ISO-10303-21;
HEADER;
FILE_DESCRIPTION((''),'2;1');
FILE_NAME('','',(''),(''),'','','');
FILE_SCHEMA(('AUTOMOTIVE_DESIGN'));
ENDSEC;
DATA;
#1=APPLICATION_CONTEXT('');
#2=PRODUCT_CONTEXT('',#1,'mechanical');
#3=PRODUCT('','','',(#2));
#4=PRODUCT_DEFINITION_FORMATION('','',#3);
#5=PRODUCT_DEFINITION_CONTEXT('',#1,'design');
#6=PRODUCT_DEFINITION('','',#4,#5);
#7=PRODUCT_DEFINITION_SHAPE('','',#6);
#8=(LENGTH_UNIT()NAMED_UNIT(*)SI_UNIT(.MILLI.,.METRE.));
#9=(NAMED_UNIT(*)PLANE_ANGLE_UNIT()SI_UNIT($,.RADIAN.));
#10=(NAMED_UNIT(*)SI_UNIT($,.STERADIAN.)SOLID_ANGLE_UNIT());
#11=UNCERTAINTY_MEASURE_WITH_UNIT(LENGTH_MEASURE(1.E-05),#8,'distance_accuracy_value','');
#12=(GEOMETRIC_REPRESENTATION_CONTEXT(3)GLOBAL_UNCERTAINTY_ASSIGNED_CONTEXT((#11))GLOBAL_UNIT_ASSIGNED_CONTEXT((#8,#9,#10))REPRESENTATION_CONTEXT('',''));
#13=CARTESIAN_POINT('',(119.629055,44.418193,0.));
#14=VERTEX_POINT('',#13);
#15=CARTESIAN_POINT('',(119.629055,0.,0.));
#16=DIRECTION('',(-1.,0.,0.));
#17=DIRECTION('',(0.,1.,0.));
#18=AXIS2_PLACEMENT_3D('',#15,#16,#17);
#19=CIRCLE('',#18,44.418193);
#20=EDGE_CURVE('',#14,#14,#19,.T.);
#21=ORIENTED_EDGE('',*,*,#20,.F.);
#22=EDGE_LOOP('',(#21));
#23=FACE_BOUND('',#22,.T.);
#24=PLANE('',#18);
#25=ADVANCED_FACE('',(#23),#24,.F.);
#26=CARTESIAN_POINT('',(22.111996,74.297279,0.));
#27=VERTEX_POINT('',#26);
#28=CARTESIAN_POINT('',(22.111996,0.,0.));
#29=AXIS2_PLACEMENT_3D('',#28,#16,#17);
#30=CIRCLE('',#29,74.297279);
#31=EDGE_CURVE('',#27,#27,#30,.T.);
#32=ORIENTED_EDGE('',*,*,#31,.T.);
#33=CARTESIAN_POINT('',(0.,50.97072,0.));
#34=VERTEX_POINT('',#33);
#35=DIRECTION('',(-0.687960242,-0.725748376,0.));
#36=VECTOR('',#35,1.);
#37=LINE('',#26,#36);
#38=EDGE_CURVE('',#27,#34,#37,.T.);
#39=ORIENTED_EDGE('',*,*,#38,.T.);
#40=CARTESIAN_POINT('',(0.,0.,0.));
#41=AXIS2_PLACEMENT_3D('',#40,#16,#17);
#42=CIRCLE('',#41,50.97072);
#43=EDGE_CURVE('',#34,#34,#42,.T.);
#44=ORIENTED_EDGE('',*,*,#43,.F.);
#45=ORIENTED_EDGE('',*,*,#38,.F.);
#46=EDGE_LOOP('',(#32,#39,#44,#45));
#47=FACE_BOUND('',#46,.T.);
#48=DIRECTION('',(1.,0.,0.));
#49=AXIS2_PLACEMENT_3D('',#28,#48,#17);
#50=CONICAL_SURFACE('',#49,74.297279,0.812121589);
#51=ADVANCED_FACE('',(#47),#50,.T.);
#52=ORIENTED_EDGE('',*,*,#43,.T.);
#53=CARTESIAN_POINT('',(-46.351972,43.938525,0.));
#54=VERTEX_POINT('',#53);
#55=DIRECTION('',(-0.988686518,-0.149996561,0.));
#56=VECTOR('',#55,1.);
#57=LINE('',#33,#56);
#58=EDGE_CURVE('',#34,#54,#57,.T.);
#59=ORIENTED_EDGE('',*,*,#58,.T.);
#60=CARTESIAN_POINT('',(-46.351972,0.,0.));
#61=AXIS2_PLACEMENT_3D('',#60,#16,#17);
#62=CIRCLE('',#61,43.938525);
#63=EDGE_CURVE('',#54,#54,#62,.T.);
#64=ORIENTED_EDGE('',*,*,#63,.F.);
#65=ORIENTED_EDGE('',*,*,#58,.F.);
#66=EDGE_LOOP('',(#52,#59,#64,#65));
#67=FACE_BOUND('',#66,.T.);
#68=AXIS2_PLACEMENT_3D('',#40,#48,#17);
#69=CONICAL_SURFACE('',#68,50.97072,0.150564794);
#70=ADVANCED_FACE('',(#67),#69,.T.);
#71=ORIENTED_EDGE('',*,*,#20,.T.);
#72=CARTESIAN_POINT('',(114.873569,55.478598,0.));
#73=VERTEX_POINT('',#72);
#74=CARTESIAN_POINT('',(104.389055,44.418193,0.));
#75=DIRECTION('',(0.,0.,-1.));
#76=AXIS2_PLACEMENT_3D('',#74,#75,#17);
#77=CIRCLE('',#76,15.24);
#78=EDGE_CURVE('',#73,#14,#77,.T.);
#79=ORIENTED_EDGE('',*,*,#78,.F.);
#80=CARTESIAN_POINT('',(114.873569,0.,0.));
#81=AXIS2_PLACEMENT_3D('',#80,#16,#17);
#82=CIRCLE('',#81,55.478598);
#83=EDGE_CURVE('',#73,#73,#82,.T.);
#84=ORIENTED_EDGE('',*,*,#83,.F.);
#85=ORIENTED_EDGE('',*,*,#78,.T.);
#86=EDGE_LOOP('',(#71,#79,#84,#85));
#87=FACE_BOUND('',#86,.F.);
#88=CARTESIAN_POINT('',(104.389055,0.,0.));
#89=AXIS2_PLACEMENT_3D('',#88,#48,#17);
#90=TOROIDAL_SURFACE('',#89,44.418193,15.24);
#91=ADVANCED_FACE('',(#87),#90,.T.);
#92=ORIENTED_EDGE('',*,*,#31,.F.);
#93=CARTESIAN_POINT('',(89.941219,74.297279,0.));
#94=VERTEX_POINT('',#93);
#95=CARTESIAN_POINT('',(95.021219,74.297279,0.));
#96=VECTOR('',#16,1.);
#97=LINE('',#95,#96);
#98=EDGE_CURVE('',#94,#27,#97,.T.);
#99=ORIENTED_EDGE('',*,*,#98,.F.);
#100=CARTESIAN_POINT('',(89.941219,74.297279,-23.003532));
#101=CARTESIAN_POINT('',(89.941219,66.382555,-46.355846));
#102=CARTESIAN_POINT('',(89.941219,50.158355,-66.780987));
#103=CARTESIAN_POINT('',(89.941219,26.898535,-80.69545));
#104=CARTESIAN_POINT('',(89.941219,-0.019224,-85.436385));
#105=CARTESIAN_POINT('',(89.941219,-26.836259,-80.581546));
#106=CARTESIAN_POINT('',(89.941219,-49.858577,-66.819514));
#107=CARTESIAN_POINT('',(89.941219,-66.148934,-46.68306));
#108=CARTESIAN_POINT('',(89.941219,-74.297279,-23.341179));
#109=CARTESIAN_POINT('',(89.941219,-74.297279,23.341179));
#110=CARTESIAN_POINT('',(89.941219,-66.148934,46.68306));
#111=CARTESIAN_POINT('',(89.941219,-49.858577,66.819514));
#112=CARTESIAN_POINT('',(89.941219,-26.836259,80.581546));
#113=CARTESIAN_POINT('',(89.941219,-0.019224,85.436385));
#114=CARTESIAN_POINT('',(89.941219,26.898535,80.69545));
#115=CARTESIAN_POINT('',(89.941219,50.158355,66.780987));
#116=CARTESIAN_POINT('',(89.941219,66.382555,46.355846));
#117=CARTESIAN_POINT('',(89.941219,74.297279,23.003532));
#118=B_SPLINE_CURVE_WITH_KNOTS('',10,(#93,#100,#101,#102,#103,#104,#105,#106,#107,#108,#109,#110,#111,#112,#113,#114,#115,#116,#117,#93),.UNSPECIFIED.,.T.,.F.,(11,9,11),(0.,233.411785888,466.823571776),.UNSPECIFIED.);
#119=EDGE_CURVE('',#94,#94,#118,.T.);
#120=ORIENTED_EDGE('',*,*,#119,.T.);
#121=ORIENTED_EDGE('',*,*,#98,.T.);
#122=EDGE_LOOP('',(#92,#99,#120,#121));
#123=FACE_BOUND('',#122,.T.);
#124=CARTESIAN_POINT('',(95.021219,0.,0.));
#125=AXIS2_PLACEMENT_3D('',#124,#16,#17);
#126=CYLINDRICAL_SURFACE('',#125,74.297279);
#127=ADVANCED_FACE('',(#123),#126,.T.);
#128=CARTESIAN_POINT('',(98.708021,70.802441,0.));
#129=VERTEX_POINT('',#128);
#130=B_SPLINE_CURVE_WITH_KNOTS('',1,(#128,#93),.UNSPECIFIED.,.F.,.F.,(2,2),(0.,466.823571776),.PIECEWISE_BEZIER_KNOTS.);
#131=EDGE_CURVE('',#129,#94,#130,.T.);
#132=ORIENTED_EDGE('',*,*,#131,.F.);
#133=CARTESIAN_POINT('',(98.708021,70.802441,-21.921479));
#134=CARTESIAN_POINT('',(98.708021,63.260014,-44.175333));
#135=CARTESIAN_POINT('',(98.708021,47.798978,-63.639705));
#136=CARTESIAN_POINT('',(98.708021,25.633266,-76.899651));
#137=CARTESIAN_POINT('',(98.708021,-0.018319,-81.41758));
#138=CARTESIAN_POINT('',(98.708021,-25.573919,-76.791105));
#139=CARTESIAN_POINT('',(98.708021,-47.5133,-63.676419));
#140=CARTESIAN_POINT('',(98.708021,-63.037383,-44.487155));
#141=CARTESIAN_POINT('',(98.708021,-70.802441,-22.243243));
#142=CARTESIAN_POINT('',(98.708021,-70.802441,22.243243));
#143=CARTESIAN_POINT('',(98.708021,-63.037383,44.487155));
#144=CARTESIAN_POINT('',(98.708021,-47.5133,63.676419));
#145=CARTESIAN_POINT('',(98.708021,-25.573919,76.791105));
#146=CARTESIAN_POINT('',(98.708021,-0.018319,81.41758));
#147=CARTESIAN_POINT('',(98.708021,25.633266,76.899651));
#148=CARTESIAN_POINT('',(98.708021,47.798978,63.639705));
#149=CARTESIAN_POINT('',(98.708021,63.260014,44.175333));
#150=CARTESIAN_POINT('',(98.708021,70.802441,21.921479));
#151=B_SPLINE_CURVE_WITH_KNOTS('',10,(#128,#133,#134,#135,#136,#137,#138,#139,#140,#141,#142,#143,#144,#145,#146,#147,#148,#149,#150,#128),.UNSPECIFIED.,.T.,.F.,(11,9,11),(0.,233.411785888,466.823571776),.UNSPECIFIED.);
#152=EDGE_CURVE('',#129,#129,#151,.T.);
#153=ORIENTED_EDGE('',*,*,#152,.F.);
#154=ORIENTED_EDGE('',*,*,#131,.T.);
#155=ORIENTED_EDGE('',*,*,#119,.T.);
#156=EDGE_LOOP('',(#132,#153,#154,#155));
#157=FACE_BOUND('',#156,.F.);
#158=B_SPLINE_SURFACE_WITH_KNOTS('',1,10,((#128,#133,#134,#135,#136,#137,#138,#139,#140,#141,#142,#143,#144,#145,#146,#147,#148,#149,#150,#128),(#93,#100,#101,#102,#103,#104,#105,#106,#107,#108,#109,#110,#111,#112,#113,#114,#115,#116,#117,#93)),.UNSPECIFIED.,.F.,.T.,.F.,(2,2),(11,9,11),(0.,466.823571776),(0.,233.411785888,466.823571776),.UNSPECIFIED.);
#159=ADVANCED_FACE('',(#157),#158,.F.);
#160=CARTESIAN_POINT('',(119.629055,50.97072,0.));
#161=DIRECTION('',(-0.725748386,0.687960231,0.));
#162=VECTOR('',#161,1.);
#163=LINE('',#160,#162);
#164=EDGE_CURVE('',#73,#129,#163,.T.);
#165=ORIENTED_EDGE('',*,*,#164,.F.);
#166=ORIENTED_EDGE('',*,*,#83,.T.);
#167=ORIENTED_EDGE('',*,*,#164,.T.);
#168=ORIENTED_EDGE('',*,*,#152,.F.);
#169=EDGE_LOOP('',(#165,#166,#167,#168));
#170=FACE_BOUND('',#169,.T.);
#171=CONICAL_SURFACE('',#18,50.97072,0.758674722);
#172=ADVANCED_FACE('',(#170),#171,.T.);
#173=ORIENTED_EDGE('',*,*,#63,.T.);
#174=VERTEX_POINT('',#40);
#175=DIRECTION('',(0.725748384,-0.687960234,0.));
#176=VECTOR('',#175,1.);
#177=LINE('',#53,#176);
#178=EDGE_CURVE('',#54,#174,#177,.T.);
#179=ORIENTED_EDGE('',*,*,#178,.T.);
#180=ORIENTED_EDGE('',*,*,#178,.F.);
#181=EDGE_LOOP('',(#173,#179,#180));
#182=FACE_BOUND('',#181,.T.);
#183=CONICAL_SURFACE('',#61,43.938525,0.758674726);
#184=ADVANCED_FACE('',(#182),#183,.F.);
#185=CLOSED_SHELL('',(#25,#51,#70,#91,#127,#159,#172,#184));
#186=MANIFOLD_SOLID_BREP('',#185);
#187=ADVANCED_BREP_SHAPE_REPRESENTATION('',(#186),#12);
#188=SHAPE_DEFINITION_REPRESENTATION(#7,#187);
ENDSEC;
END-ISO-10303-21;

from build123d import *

# Parameters (mm, degrees)
F2_SIZE = 5.08
F3_R    = 15.24


with BuildPart() as f1:
    # F0 (on Top) → F1 (revolve)
    with BuildSketch(Plane.XY):
        Polygon((-46.351972, 43.938525), (0, 0), (0, 50.97072), align=None)
        Polygon((0, 50.97072), (0, 0), (119.629055, 0), (119.629055, 50.97072), (95.021219, 74.297279), (22.111996, 74.297279), align=None)
    revolve(axis=Axis((59.814528, 0, 0), (-1, 0, 0)))

    # F2
    f2_edges = [f1.edges().sort_by_distance(p)[0] for p in [
        (95.021219, -74.297279, 0),
    ]]
    chamfer(f2_edges, length=F2_SIZE)

    # F3
    f3_edges = [f1.edges().sort_by_distance(p)[0] for p in [
        (119.629055, -50.97072, 0),
    ]]
    fillet(f3_edges, radius=F3_R)


solid = f1.part
